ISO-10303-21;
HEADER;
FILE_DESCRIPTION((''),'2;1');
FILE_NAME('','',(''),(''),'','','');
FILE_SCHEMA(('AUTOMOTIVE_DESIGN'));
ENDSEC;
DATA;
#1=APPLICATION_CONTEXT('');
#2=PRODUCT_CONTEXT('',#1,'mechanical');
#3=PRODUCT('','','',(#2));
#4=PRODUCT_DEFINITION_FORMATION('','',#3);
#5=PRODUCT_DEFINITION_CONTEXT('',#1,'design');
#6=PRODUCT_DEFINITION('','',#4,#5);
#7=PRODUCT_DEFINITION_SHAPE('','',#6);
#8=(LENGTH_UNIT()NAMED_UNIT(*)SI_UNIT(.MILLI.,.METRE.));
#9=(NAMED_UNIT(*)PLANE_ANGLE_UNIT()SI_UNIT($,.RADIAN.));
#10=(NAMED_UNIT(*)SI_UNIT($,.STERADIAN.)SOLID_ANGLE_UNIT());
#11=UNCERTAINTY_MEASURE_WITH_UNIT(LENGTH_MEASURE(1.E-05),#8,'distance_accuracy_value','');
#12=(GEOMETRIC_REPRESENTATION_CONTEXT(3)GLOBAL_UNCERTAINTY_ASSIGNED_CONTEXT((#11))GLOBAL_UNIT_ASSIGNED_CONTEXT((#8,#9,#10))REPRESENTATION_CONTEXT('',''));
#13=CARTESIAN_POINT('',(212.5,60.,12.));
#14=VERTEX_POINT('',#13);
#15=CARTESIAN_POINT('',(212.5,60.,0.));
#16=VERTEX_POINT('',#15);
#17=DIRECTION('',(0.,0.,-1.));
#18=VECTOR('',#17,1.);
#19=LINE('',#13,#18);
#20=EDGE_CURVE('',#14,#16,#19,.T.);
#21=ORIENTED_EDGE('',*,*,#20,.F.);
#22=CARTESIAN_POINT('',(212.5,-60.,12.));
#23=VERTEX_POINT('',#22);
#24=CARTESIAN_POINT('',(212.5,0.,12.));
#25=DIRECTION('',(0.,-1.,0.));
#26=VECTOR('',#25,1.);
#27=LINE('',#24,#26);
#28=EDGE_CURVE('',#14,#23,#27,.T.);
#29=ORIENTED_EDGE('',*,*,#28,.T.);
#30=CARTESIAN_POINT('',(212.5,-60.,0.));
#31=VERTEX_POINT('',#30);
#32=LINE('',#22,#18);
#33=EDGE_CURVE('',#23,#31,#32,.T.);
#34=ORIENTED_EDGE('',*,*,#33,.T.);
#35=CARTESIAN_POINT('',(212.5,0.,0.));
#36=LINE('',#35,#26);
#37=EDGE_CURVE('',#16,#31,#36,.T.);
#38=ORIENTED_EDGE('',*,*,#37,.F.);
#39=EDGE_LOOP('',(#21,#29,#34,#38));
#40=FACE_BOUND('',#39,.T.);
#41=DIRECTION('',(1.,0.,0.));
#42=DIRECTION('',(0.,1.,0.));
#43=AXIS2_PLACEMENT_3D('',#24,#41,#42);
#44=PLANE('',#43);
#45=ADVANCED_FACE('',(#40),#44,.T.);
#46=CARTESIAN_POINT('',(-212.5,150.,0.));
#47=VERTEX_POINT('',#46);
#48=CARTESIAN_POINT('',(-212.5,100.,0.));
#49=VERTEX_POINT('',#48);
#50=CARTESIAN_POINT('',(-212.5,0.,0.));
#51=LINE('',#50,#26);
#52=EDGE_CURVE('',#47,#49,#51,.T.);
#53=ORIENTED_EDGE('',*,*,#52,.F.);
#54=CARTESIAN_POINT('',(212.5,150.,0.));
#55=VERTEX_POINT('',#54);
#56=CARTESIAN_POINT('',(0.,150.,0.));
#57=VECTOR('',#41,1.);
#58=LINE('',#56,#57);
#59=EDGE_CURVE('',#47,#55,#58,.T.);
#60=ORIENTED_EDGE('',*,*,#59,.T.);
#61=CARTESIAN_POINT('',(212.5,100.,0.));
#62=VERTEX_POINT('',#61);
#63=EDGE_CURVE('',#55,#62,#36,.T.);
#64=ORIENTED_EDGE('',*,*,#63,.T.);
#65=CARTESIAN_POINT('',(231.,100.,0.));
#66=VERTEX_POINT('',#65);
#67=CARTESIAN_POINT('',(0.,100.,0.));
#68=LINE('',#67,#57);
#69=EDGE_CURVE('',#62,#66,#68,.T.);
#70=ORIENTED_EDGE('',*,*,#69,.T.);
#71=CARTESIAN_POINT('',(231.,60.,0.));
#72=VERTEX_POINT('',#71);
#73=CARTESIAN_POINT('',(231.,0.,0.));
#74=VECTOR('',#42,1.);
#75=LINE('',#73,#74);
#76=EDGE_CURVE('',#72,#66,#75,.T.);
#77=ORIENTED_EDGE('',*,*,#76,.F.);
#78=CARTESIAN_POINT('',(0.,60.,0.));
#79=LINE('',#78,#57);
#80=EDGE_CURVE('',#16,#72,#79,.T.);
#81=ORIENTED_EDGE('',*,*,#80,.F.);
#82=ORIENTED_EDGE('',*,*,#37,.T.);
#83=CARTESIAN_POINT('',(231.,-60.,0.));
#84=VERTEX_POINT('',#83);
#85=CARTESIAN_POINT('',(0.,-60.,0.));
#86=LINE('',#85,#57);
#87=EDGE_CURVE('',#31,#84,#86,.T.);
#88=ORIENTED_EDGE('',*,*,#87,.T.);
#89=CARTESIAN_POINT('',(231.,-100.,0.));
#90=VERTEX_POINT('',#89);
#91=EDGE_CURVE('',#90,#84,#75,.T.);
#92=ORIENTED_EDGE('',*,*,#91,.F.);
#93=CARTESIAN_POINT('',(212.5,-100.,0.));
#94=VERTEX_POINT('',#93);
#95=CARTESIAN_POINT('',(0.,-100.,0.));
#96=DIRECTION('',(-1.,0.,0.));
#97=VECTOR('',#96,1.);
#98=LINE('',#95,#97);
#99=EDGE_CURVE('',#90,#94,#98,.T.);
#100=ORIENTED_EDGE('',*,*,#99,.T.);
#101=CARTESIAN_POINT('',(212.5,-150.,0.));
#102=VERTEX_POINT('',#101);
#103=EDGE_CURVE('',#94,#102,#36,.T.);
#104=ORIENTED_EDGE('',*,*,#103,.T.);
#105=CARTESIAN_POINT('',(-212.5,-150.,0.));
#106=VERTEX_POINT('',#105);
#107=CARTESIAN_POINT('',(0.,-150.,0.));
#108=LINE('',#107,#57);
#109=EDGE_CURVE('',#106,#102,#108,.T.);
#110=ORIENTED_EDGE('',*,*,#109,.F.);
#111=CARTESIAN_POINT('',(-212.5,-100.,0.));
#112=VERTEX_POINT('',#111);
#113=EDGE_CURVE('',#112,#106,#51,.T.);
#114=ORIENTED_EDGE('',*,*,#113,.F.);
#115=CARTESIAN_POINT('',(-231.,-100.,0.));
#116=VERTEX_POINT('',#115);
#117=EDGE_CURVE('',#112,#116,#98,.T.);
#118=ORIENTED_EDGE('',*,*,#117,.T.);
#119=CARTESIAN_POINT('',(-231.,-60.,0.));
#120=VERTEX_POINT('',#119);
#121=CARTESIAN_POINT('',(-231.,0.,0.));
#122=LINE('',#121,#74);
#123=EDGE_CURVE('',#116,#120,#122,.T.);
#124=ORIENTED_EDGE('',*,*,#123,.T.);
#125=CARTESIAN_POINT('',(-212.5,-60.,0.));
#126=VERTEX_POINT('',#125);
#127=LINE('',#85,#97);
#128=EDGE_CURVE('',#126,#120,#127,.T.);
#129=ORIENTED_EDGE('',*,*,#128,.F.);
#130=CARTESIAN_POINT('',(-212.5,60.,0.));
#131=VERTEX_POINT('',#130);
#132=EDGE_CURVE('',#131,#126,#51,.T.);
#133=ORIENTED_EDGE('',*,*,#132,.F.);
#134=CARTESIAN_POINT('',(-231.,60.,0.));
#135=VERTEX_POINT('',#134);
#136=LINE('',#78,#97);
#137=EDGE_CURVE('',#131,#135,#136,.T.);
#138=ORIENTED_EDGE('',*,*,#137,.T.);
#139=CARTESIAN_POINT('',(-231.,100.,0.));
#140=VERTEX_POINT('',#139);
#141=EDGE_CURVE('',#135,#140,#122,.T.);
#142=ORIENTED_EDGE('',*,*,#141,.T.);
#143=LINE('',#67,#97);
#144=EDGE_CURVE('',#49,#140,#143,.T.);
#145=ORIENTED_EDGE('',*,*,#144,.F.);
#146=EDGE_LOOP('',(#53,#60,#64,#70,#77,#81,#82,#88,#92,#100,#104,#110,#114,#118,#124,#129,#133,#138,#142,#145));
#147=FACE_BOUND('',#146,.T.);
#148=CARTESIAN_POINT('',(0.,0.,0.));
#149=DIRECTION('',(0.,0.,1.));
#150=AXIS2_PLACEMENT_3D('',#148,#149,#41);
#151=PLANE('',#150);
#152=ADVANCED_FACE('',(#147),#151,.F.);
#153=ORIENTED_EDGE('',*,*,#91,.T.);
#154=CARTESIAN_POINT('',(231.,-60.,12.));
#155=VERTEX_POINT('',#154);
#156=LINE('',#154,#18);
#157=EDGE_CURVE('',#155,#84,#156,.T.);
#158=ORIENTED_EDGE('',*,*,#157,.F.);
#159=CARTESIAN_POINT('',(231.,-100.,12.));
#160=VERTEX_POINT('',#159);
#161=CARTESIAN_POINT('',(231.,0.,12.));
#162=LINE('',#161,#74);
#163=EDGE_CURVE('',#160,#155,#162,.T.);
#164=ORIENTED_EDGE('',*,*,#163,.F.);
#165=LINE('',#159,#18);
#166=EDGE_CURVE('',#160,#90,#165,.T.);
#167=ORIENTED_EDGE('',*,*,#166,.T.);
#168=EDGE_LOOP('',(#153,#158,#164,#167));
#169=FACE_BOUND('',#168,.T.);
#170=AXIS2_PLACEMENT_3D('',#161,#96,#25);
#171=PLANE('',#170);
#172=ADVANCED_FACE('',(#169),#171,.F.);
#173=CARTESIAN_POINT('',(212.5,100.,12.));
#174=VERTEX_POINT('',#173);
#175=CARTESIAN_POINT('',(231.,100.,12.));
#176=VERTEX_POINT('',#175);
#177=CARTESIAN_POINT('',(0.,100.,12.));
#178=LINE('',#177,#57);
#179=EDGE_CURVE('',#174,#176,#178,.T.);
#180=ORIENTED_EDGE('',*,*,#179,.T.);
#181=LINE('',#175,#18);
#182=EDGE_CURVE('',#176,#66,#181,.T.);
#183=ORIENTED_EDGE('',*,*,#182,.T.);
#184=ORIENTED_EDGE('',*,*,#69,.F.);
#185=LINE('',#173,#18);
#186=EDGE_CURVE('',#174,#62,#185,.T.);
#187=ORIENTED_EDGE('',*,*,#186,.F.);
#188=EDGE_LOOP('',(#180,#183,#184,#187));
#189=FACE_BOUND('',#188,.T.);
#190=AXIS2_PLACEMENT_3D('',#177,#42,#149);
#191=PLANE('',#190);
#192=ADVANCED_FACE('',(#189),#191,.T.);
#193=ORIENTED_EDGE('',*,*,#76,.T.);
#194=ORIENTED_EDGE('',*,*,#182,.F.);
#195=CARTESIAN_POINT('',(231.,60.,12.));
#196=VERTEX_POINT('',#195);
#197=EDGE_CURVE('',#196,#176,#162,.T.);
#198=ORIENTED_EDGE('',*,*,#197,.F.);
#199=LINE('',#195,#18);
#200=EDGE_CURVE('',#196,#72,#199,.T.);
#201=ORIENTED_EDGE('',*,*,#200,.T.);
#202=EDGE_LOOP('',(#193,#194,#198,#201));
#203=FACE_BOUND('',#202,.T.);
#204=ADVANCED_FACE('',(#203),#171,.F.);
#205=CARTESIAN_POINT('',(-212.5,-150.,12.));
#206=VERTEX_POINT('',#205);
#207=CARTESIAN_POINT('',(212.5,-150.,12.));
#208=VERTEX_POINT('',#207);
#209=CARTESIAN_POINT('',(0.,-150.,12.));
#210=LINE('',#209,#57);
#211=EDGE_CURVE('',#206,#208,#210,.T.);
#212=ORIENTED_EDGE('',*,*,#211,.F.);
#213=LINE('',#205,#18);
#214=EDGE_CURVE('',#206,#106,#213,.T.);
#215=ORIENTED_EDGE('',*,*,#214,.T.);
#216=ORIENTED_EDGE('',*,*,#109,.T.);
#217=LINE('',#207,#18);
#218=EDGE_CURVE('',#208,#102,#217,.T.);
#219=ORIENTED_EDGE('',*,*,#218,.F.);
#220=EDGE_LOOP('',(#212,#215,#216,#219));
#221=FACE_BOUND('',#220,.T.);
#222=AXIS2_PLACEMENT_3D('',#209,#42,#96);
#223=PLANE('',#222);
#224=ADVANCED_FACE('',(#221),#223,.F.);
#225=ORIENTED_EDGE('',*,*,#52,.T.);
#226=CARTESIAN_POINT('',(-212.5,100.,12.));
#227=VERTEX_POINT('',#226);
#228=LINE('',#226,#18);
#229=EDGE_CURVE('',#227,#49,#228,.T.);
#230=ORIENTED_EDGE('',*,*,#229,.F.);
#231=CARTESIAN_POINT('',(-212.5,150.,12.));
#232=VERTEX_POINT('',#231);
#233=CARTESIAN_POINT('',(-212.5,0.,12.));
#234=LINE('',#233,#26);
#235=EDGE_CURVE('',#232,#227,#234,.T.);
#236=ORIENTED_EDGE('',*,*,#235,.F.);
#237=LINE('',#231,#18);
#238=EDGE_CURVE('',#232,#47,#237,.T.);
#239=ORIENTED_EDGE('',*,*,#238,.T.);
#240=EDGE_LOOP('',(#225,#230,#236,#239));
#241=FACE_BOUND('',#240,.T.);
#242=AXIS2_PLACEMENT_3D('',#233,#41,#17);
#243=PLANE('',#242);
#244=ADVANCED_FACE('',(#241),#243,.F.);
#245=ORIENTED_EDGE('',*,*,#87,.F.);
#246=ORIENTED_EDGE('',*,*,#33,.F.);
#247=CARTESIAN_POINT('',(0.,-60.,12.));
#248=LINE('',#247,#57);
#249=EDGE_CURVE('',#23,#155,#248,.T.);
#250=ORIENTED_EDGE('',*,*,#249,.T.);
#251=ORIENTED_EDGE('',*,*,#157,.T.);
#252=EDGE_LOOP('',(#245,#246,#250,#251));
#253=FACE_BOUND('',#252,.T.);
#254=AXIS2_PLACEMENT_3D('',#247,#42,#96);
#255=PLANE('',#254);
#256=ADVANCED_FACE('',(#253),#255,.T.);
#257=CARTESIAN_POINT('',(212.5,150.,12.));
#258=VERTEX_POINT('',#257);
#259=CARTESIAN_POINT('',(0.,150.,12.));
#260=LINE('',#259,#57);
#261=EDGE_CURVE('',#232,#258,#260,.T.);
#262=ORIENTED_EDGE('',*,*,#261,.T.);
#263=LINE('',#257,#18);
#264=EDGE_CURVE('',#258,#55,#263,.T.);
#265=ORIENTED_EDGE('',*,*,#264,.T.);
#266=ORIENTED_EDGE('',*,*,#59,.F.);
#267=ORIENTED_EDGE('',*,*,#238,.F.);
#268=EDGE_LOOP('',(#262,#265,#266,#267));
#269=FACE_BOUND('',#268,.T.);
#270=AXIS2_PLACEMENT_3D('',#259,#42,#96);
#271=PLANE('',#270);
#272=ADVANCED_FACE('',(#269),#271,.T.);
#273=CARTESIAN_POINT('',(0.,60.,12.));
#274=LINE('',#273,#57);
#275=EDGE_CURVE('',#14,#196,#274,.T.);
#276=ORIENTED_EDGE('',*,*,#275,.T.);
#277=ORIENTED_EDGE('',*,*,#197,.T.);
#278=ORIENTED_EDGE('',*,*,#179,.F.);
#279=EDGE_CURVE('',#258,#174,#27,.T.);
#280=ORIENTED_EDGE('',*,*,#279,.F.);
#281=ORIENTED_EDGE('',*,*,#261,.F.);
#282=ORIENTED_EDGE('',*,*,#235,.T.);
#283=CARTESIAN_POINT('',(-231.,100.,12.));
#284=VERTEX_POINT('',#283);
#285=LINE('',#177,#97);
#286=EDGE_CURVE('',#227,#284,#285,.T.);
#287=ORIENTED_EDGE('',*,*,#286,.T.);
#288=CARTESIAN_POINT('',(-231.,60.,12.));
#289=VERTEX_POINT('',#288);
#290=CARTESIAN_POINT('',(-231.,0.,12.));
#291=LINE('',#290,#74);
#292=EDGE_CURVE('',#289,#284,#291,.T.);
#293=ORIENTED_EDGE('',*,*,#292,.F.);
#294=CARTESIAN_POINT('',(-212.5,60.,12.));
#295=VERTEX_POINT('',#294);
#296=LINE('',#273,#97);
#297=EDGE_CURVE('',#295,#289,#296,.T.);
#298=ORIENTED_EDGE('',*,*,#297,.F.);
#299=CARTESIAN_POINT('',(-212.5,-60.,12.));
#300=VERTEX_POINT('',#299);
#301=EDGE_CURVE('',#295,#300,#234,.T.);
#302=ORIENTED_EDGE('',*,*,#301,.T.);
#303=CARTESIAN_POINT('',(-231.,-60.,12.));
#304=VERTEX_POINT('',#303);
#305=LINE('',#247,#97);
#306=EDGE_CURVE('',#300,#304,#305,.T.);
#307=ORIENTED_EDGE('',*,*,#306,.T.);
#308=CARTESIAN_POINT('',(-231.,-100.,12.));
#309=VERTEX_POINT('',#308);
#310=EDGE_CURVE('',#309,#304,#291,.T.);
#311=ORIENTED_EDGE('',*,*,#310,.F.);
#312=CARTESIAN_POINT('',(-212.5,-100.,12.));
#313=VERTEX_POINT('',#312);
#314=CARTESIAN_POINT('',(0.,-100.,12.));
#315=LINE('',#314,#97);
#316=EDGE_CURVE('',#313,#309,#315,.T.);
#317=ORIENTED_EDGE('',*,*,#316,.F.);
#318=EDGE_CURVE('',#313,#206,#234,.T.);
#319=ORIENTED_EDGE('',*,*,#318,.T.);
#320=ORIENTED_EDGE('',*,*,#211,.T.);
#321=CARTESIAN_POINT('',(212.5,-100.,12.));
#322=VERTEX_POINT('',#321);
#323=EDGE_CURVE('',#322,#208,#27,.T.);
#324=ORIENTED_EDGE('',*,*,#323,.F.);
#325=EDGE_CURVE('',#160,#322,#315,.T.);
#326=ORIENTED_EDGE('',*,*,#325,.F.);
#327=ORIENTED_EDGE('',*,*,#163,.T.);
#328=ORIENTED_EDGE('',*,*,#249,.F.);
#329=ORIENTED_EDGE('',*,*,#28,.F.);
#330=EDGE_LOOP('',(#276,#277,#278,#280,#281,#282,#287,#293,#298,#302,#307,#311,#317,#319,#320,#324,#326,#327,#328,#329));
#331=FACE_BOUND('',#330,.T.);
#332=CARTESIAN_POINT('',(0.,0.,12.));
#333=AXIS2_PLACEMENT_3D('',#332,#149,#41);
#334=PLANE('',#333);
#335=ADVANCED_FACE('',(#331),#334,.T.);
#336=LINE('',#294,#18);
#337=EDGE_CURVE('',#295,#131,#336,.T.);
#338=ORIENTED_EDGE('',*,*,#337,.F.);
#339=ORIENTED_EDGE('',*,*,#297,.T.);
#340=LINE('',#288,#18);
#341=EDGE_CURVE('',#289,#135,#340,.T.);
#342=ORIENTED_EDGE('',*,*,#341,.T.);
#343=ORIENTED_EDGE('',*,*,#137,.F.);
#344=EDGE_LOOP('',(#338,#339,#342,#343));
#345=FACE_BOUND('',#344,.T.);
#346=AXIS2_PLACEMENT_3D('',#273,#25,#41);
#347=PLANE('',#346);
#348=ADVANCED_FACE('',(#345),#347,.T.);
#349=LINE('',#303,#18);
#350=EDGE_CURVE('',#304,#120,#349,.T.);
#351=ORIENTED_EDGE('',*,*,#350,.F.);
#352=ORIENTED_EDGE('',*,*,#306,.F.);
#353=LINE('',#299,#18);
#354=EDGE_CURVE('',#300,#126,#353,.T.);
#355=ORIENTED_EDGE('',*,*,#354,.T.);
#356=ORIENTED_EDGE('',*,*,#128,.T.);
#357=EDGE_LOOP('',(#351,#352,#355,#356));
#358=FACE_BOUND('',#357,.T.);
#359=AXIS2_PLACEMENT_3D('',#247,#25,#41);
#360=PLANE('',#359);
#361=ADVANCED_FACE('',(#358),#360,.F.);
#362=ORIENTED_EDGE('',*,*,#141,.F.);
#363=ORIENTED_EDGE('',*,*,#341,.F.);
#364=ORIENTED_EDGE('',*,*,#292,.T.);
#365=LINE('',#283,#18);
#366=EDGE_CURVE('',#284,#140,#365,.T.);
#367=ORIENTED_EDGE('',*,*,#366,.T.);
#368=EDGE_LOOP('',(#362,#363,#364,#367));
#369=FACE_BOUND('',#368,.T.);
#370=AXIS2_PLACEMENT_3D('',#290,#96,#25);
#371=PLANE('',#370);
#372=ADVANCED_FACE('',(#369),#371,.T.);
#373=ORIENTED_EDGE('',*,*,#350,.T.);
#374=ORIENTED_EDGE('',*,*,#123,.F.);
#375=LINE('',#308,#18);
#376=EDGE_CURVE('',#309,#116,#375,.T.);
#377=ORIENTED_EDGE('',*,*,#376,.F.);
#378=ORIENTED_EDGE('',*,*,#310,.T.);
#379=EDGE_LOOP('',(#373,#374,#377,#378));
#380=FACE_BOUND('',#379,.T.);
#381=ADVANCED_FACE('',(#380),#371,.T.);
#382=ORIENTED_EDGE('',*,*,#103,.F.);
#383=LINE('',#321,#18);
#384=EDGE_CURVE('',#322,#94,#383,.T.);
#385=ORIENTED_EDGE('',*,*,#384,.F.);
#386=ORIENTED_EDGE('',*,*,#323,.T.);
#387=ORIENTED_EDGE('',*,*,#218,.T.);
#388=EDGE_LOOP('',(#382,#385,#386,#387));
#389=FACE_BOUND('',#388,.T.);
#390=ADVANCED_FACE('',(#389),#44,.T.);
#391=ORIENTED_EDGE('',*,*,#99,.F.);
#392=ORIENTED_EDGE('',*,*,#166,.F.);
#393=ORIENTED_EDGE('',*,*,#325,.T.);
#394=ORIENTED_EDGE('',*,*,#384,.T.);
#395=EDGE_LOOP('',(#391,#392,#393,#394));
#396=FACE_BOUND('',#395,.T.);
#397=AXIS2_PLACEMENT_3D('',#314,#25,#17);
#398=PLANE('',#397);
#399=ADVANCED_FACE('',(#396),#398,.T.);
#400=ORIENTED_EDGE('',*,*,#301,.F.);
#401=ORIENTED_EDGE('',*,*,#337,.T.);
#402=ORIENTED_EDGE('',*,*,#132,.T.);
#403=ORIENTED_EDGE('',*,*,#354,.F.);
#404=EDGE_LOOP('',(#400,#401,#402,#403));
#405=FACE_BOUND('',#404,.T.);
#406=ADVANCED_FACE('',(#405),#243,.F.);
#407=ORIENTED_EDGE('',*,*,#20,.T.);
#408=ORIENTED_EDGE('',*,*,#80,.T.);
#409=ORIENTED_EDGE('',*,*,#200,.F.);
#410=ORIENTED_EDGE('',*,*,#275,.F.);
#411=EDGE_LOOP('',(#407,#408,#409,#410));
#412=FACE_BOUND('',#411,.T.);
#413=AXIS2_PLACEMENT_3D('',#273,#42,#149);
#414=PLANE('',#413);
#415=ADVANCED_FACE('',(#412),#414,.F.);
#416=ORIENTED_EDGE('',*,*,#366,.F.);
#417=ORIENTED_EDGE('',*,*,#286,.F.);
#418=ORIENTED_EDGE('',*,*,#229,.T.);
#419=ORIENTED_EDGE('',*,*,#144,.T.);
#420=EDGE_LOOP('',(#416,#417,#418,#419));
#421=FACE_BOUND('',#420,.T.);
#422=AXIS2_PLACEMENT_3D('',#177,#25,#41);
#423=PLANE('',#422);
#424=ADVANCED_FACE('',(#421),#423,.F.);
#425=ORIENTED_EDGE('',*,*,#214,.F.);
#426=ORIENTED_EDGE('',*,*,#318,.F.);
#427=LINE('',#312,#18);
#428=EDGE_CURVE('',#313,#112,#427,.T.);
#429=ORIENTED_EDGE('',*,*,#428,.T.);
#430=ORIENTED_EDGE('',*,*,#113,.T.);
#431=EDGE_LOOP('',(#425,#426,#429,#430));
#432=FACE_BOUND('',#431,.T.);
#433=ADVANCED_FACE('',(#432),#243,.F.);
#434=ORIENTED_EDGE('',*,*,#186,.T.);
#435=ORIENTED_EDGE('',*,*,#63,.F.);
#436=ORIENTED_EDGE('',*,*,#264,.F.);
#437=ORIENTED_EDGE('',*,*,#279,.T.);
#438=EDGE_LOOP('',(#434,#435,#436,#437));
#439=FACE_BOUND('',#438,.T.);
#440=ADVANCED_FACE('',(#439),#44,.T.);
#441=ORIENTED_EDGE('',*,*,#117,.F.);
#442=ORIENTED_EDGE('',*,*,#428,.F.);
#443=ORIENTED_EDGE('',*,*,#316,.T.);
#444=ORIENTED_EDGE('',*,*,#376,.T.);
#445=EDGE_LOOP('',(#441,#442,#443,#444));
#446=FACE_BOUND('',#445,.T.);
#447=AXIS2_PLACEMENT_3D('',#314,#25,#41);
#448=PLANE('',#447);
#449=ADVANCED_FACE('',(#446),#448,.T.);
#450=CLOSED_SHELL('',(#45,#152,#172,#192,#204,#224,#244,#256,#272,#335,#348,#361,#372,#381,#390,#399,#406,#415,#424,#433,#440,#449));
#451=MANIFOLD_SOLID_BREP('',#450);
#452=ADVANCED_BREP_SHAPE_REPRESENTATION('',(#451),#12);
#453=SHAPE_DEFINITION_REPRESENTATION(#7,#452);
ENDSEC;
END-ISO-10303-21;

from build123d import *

# Parameters (mm, degrees)
SKETCH1_W           = 18.5
SKETCH1_H           = 40
BOSS_EXTRUDE1_DEPTH = 12


with BuildPart() as part:
    # Sketch1 → Boss-Extrude1 (new body)
    with BuildSketch(Plane.XY):
        Polygon((-212.5, -100), (-212.5, -150), (212.5, -150), (212.5, -100), (212.5, -60), (212.5, 60), (212.5, 100), (212.5, 150), (-212.5, 150), (-212.5, 100), (-212.5, 60), (-212.5, -60), align=None)
        with Locations((-221.75, -80)):
            Rectangle(SKETCH1_W, SKETCH1_H)
        with Locations((-221.75, 80)):
            Rectangle(SKETCH1_W, SKETCH1_H)
        with Locations((221.75, 80)):
            Rectangle(SKETCH1_W, SKETCH1_H)
        with Locations((221.75, -80)):
            Rectangle(SKETCH1_W, SKETCH1_H)
    extrude(amount=BOSS_EXTRUDE1_DEPTH)


solid = part.part
